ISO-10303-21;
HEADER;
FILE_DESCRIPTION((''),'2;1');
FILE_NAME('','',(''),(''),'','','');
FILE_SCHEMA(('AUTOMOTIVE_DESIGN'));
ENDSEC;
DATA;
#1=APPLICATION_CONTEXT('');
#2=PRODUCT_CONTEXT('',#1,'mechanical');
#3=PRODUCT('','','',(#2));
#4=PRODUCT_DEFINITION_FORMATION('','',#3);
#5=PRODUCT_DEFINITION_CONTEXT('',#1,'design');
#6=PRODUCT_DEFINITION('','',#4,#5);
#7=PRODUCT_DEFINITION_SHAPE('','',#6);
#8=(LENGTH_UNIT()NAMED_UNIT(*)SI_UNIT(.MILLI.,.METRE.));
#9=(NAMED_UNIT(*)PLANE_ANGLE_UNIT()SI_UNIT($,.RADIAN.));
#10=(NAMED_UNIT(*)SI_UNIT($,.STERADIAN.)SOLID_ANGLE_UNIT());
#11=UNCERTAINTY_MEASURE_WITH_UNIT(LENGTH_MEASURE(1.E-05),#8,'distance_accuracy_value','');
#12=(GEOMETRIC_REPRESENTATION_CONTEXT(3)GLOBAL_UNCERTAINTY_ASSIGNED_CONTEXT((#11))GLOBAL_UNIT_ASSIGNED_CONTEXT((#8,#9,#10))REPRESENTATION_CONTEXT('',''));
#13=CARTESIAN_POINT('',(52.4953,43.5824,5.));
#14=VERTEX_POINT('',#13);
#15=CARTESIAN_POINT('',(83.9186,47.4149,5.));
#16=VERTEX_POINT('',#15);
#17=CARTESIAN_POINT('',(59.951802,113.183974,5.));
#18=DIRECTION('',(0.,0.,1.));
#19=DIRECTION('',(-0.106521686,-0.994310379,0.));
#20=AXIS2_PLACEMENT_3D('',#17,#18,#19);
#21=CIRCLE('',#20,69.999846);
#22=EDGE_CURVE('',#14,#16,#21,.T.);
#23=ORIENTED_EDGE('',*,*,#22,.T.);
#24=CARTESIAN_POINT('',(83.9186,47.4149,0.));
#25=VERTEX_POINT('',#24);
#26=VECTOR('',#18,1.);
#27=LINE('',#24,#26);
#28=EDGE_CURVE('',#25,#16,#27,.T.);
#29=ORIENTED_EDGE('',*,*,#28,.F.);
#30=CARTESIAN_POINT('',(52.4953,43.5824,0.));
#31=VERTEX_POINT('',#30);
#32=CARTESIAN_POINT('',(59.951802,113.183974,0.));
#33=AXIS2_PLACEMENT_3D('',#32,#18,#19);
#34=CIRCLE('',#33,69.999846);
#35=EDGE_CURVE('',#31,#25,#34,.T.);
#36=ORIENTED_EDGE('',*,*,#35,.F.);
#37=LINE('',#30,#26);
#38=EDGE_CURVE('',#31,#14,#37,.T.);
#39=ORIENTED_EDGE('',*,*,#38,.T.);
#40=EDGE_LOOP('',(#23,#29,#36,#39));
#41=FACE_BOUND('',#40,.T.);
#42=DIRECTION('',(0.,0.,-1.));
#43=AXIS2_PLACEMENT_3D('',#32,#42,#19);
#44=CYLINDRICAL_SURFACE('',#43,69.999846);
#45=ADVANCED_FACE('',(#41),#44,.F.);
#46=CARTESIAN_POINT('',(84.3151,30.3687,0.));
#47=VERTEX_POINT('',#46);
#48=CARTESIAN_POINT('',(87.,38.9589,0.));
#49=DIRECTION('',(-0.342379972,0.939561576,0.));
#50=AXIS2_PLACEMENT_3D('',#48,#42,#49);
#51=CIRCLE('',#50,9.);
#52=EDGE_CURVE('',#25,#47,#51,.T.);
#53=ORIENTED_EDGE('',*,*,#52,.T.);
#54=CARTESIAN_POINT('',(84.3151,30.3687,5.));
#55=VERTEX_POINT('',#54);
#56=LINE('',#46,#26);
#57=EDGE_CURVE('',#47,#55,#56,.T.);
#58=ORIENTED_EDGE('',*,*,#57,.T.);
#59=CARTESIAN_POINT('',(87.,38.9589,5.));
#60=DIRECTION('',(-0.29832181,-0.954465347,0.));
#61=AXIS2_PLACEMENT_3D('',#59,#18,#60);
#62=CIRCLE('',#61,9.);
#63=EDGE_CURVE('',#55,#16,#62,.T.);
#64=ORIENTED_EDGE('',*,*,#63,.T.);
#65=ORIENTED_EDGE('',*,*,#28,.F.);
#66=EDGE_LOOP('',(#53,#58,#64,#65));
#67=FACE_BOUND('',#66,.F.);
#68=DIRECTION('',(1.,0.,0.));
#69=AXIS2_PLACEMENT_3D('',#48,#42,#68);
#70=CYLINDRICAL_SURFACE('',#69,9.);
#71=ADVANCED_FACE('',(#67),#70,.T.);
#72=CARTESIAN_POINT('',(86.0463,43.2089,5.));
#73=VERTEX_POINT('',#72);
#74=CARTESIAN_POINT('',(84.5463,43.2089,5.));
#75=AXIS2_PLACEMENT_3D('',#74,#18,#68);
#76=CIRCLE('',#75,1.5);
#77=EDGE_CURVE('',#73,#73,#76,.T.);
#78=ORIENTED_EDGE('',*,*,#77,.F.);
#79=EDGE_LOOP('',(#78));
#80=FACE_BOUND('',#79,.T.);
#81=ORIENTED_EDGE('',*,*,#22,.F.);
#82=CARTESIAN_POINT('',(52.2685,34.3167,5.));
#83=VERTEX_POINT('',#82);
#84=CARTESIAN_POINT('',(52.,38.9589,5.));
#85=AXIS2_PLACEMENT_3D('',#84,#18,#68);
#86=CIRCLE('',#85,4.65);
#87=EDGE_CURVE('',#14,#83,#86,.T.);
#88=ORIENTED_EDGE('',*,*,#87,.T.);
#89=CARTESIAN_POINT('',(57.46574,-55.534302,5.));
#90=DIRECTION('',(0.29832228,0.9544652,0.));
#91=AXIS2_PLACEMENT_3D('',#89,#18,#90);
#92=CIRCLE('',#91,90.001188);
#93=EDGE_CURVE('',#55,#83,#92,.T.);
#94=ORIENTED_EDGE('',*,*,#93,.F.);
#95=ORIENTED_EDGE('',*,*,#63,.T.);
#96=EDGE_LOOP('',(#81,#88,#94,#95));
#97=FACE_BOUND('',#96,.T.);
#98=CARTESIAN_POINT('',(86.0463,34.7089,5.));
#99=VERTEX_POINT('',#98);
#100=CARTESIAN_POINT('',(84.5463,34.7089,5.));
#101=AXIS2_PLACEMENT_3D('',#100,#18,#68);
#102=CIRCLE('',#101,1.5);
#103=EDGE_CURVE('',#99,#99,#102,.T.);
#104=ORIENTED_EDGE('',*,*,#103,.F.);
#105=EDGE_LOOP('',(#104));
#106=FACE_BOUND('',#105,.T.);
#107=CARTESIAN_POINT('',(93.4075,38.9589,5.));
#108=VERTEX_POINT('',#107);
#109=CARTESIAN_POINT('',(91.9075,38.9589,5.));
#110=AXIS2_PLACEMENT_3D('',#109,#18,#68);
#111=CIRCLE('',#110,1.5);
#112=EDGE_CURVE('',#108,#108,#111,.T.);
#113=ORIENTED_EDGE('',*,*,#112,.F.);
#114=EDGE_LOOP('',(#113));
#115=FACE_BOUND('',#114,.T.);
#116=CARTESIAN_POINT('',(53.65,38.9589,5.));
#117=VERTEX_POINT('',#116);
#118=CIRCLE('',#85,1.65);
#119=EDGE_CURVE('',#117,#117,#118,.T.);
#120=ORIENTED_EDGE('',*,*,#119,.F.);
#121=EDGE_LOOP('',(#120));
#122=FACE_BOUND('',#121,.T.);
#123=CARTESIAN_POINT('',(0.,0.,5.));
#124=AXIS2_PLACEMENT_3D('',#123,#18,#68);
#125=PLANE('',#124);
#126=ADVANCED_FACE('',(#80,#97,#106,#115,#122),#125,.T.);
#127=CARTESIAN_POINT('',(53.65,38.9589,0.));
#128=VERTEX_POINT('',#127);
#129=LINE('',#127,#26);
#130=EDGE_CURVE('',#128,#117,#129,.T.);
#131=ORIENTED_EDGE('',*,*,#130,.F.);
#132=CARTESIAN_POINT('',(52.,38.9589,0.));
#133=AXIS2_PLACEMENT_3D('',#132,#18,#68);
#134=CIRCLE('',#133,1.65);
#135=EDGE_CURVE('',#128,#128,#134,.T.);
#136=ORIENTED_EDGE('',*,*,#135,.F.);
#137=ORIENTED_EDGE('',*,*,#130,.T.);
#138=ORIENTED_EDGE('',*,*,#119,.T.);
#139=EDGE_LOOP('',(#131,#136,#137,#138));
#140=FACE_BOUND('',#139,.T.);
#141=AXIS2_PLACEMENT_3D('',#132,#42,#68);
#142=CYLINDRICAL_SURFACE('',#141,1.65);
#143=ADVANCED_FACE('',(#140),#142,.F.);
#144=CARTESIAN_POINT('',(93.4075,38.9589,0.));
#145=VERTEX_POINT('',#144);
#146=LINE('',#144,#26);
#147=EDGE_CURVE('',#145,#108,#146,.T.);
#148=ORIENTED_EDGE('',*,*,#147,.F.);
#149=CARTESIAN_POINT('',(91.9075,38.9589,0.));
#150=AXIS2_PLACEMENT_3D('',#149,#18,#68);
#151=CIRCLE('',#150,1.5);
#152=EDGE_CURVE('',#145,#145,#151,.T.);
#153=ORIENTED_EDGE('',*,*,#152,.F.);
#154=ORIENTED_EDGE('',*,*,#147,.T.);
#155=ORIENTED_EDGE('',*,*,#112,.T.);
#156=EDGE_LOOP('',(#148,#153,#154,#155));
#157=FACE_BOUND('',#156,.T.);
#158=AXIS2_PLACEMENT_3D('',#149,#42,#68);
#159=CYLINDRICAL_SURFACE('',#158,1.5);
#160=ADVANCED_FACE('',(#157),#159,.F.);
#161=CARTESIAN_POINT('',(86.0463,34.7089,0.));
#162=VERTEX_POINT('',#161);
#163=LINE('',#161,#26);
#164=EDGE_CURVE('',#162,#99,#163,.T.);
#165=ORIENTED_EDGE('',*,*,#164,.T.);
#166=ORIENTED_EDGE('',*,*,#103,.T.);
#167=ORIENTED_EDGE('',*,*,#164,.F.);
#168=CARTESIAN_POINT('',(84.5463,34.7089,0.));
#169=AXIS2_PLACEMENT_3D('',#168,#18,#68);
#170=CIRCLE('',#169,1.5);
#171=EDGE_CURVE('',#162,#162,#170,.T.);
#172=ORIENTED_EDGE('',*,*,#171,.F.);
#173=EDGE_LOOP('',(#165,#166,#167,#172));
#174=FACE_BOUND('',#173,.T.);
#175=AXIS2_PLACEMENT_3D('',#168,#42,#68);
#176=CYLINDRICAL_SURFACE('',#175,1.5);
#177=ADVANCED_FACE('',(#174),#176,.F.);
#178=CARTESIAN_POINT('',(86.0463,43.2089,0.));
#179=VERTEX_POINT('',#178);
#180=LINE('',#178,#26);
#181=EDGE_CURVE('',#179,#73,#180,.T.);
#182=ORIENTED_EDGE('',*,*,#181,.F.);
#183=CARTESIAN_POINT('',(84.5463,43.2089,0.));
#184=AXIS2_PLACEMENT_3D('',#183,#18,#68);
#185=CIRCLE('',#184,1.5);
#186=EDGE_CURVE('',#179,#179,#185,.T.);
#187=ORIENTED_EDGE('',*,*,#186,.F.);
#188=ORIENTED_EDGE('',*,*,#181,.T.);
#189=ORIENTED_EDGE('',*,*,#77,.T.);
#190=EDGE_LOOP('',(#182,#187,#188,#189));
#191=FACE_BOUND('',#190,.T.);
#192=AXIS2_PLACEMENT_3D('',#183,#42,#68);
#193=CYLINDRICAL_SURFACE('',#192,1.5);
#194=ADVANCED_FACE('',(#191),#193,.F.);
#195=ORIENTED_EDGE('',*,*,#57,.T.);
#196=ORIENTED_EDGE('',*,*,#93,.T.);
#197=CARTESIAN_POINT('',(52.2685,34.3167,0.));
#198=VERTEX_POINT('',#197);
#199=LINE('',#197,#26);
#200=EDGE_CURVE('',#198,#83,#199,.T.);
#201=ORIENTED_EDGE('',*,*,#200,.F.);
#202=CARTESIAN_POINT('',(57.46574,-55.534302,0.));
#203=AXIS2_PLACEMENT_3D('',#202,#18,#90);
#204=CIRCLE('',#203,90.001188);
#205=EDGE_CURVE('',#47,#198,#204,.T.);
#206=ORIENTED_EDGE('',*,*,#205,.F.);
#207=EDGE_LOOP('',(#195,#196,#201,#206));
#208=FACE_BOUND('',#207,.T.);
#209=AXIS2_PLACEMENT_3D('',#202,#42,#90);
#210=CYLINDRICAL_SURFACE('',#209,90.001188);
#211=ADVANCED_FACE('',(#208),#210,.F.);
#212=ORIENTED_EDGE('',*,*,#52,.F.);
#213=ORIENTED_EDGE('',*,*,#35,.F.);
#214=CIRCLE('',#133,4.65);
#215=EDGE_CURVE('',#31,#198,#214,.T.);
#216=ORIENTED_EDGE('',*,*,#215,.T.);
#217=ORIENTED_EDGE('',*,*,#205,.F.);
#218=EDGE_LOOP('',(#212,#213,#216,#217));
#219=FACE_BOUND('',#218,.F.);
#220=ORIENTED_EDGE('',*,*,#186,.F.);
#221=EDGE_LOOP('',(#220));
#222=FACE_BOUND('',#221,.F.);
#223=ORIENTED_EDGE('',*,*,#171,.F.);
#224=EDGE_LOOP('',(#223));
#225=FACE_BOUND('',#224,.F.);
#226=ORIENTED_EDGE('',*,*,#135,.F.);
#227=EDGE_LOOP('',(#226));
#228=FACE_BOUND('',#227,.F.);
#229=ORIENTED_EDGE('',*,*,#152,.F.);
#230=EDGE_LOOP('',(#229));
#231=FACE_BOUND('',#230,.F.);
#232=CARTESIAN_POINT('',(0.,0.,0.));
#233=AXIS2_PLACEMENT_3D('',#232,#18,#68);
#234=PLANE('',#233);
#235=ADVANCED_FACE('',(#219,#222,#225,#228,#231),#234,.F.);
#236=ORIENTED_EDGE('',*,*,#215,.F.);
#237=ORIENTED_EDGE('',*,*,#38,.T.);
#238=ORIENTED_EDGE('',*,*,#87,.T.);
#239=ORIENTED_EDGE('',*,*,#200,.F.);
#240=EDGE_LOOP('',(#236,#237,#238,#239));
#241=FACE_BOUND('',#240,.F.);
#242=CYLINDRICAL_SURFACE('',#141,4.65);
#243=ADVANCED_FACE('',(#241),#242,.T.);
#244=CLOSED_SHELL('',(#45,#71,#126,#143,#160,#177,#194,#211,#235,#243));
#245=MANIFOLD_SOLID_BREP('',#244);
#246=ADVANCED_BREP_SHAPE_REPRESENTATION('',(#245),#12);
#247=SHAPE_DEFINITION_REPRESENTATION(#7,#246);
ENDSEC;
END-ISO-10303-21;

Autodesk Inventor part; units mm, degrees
ref_plane "YZ Plane" through (0, 0, 0) normal (1, 0, 0) x (0, 1, 0)
ref_plane "XZ Plane" through (0, 0, 0) normal (0, 1, 0) x (-1, 0, 0)
ref_plane "XY Plane" through (0, 0, 0) normal (0, 0, 1) x (1, 0, 0)
sketch "Sketch1" plane through (0, 0, 0) normal (0, 0, 1) x (1, 0, 0)
  line L0 (52, 38.9589) -> (87, 38.9589)
  circle A0 centre (52, 38.9589) radius 1.65
  circle A1 centre (52, 38.9589) radius 4.65
  circle A2 centre (84.5463, 43.2089) radius 1.5
  circle A3 centre (84.5463, 34.7089) radius 1.5
  circle A4 centre (91.9075, 38.9589) radius 1.5
  circle A5 centre (87, 38.9589) radius 9
  arc A6 (52.4953, 43.5824) -> (83.9186, 47.4149) centre (59.9518, 113.1842) ccw
  arc A7 (84.3151, 30.3687) -> (52.2685, 34.3167) centre (57.466, -55.5331) ccw
  point P0 (0, 0)
  point P1 (0, 0)
  dimension "d2" = 35
  dimension "d3" = 3.3
  dimension "d4" = 3
  dimension "d5" = 3
  dimension "d6" = 360
  dimension "d7" = 5.5
  dimension "d8" = 18
  dimension "d9" = 70
  dimension "d10" = 90
extrude "Extrusion1" add sketch "Sketch1" along normal blind 5
properties part number "フリー節" material "Aluminum 2014-T6"
